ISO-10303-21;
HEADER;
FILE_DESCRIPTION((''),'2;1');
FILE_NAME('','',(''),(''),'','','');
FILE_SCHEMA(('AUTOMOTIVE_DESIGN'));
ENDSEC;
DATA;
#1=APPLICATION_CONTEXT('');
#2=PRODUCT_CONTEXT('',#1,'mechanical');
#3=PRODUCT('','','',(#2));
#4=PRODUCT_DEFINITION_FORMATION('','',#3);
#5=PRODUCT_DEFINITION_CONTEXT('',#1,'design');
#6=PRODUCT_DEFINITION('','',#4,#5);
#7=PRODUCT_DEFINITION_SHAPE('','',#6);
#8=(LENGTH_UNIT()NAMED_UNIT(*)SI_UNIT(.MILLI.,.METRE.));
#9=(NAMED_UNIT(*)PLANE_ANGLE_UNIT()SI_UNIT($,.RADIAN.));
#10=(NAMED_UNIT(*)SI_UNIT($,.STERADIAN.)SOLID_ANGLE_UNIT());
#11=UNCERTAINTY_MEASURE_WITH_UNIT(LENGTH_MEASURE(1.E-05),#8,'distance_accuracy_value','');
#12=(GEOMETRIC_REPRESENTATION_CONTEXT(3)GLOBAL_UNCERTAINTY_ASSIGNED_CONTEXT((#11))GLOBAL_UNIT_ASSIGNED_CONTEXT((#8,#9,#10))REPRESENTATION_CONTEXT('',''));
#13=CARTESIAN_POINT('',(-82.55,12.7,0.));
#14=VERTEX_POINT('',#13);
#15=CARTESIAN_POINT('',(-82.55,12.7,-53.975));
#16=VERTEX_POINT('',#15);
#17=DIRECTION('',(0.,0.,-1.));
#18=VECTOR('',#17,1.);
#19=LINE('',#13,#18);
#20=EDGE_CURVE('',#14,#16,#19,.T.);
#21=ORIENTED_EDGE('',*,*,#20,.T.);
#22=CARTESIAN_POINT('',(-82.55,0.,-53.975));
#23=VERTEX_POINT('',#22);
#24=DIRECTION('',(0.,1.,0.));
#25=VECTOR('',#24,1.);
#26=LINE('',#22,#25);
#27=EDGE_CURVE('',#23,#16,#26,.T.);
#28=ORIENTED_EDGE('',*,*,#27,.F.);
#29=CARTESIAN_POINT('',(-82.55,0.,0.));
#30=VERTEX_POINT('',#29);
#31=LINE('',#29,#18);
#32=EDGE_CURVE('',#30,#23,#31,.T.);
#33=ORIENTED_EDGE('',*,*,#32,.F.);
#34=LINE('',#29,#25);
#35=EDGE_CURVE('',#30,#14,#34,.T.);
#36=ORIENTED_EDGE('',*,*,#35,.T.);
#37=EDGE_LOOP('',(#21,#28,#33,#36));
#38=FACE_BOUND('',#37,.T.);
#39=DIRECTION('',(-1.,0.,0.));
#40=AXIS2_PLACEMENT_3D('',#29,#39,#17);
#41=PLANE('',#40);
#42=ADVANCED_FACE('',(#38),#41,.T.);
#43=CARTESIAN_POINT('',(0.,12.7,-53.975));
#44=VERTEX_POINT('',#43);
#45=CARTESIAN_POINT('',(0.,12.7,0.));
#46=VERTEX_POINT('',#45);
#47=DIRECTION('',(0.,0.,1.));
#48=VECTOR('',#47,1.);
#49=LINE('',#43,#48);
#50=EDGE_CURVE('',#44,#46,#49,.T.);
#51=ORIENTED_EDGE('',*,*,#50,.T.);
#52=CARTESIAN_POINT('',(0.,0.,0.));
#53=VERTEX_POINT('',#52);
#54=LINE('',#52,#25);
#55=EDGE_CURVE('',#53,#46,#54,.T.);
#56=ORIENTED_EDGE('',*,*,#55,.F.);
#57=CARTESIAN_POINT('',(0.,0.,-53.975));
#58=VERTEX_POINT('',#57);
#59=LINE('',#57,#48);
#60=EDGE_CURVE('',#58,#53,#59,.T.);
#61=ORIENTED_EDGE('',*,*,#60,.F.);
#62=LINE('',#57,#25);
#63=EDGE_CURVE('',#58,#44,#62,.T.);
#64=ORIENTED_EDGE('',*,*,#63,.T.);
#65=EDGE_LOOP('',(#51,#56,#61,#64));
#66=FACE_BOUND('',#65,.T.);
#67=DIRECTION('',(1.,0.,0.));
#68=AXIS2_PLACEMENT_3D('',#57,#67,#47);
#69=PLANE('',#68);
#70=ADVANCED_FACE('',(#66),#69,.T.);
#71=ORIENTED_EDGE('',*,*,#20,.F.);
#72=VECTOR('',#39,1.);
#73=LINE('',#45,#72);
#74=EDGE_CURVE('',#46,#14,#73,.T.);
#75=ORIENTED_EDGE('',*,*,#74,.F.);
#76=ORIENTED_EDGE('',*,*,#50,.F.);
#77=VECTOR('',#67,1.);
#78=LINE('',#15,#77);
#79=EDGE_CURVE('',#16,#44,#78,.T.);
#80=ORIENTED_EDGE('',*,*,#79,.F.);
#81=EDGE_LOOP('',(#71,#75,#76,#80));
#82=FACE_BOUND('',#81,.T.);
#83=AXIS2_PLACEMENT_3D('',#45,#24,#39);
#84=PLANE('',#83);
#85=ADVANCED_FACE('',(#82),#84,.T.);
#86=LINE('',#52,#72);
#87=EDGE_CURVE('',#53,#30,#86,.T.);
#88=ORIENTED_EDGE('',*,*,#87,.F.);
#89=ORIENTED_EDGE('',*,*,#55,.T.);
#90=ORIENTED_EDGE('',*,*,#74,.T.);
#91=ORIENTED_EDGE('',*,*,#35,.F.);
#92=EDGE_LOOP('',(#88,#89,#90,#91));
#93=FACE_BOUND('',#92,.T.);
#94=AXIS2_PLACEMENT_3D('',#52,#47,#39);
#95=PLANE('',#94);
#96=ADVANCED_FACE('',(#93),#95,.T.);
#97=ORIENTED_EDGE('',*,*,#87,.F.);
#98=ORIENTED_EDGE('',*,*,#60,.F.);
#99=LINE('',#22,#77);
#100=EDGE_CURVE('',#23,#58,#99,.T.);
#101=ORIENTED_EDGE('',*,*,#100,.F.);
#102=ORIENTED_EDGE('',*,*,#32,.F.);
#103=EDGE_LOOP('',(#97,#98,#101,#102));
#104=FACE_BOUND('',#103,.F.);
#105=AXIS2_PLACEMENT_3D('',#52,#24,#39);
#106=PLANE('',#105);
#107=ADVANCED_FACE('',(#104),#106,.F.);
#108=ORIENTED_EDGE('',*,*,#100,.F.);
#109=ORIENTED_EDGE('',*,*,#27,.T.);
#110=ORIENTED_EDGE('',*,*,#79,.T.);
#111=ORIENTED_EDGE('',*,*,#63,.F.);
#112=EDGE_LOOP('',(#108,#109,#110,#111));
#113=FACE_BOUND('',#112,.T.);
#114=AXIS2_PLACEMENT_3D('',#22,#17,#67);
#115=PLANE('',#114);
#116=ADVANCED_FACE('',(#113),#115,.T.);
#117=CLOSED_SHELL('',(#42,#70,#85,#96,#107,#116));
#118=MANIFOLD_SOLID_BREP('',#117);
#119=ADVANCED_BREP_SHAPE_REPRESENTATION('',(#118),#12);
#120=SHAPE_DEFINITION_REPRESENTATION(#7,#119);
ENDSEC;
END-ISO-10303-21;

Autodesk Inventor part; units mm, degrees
ref_plane "YZ Plane" through (0, 0, 0) normal (1, 0, 0) x (0, 1, 0)
ref_plane "XZ Plane" through (0, 0, 0) normal (0, 1, 0) x (-1, 0, 0)
ref_plane "XY Plane" through (0, 0, 0) normal (0, 0, 1) x (1, 0, 0)
sketch "Sketch2" plane through (0, 0, 0) normal (0, 1, 0) x (-1, 0, 0)
  line L0 (0, 0) -> (82.55, 0)
  line L1 (82.55, 0) -> (82.55, -53.975)
  line L2 (82.55, -53.975) -> (0, -53.975)
  line L3 (0, -53.975) -> (0, 0)
  dimension "d3" = 82.55
  dimension "d4" = 53.975
extrude "Extrusion1" add sketch "Sketch2" along normal blind 12.7
properties part number "arduinoshape"
